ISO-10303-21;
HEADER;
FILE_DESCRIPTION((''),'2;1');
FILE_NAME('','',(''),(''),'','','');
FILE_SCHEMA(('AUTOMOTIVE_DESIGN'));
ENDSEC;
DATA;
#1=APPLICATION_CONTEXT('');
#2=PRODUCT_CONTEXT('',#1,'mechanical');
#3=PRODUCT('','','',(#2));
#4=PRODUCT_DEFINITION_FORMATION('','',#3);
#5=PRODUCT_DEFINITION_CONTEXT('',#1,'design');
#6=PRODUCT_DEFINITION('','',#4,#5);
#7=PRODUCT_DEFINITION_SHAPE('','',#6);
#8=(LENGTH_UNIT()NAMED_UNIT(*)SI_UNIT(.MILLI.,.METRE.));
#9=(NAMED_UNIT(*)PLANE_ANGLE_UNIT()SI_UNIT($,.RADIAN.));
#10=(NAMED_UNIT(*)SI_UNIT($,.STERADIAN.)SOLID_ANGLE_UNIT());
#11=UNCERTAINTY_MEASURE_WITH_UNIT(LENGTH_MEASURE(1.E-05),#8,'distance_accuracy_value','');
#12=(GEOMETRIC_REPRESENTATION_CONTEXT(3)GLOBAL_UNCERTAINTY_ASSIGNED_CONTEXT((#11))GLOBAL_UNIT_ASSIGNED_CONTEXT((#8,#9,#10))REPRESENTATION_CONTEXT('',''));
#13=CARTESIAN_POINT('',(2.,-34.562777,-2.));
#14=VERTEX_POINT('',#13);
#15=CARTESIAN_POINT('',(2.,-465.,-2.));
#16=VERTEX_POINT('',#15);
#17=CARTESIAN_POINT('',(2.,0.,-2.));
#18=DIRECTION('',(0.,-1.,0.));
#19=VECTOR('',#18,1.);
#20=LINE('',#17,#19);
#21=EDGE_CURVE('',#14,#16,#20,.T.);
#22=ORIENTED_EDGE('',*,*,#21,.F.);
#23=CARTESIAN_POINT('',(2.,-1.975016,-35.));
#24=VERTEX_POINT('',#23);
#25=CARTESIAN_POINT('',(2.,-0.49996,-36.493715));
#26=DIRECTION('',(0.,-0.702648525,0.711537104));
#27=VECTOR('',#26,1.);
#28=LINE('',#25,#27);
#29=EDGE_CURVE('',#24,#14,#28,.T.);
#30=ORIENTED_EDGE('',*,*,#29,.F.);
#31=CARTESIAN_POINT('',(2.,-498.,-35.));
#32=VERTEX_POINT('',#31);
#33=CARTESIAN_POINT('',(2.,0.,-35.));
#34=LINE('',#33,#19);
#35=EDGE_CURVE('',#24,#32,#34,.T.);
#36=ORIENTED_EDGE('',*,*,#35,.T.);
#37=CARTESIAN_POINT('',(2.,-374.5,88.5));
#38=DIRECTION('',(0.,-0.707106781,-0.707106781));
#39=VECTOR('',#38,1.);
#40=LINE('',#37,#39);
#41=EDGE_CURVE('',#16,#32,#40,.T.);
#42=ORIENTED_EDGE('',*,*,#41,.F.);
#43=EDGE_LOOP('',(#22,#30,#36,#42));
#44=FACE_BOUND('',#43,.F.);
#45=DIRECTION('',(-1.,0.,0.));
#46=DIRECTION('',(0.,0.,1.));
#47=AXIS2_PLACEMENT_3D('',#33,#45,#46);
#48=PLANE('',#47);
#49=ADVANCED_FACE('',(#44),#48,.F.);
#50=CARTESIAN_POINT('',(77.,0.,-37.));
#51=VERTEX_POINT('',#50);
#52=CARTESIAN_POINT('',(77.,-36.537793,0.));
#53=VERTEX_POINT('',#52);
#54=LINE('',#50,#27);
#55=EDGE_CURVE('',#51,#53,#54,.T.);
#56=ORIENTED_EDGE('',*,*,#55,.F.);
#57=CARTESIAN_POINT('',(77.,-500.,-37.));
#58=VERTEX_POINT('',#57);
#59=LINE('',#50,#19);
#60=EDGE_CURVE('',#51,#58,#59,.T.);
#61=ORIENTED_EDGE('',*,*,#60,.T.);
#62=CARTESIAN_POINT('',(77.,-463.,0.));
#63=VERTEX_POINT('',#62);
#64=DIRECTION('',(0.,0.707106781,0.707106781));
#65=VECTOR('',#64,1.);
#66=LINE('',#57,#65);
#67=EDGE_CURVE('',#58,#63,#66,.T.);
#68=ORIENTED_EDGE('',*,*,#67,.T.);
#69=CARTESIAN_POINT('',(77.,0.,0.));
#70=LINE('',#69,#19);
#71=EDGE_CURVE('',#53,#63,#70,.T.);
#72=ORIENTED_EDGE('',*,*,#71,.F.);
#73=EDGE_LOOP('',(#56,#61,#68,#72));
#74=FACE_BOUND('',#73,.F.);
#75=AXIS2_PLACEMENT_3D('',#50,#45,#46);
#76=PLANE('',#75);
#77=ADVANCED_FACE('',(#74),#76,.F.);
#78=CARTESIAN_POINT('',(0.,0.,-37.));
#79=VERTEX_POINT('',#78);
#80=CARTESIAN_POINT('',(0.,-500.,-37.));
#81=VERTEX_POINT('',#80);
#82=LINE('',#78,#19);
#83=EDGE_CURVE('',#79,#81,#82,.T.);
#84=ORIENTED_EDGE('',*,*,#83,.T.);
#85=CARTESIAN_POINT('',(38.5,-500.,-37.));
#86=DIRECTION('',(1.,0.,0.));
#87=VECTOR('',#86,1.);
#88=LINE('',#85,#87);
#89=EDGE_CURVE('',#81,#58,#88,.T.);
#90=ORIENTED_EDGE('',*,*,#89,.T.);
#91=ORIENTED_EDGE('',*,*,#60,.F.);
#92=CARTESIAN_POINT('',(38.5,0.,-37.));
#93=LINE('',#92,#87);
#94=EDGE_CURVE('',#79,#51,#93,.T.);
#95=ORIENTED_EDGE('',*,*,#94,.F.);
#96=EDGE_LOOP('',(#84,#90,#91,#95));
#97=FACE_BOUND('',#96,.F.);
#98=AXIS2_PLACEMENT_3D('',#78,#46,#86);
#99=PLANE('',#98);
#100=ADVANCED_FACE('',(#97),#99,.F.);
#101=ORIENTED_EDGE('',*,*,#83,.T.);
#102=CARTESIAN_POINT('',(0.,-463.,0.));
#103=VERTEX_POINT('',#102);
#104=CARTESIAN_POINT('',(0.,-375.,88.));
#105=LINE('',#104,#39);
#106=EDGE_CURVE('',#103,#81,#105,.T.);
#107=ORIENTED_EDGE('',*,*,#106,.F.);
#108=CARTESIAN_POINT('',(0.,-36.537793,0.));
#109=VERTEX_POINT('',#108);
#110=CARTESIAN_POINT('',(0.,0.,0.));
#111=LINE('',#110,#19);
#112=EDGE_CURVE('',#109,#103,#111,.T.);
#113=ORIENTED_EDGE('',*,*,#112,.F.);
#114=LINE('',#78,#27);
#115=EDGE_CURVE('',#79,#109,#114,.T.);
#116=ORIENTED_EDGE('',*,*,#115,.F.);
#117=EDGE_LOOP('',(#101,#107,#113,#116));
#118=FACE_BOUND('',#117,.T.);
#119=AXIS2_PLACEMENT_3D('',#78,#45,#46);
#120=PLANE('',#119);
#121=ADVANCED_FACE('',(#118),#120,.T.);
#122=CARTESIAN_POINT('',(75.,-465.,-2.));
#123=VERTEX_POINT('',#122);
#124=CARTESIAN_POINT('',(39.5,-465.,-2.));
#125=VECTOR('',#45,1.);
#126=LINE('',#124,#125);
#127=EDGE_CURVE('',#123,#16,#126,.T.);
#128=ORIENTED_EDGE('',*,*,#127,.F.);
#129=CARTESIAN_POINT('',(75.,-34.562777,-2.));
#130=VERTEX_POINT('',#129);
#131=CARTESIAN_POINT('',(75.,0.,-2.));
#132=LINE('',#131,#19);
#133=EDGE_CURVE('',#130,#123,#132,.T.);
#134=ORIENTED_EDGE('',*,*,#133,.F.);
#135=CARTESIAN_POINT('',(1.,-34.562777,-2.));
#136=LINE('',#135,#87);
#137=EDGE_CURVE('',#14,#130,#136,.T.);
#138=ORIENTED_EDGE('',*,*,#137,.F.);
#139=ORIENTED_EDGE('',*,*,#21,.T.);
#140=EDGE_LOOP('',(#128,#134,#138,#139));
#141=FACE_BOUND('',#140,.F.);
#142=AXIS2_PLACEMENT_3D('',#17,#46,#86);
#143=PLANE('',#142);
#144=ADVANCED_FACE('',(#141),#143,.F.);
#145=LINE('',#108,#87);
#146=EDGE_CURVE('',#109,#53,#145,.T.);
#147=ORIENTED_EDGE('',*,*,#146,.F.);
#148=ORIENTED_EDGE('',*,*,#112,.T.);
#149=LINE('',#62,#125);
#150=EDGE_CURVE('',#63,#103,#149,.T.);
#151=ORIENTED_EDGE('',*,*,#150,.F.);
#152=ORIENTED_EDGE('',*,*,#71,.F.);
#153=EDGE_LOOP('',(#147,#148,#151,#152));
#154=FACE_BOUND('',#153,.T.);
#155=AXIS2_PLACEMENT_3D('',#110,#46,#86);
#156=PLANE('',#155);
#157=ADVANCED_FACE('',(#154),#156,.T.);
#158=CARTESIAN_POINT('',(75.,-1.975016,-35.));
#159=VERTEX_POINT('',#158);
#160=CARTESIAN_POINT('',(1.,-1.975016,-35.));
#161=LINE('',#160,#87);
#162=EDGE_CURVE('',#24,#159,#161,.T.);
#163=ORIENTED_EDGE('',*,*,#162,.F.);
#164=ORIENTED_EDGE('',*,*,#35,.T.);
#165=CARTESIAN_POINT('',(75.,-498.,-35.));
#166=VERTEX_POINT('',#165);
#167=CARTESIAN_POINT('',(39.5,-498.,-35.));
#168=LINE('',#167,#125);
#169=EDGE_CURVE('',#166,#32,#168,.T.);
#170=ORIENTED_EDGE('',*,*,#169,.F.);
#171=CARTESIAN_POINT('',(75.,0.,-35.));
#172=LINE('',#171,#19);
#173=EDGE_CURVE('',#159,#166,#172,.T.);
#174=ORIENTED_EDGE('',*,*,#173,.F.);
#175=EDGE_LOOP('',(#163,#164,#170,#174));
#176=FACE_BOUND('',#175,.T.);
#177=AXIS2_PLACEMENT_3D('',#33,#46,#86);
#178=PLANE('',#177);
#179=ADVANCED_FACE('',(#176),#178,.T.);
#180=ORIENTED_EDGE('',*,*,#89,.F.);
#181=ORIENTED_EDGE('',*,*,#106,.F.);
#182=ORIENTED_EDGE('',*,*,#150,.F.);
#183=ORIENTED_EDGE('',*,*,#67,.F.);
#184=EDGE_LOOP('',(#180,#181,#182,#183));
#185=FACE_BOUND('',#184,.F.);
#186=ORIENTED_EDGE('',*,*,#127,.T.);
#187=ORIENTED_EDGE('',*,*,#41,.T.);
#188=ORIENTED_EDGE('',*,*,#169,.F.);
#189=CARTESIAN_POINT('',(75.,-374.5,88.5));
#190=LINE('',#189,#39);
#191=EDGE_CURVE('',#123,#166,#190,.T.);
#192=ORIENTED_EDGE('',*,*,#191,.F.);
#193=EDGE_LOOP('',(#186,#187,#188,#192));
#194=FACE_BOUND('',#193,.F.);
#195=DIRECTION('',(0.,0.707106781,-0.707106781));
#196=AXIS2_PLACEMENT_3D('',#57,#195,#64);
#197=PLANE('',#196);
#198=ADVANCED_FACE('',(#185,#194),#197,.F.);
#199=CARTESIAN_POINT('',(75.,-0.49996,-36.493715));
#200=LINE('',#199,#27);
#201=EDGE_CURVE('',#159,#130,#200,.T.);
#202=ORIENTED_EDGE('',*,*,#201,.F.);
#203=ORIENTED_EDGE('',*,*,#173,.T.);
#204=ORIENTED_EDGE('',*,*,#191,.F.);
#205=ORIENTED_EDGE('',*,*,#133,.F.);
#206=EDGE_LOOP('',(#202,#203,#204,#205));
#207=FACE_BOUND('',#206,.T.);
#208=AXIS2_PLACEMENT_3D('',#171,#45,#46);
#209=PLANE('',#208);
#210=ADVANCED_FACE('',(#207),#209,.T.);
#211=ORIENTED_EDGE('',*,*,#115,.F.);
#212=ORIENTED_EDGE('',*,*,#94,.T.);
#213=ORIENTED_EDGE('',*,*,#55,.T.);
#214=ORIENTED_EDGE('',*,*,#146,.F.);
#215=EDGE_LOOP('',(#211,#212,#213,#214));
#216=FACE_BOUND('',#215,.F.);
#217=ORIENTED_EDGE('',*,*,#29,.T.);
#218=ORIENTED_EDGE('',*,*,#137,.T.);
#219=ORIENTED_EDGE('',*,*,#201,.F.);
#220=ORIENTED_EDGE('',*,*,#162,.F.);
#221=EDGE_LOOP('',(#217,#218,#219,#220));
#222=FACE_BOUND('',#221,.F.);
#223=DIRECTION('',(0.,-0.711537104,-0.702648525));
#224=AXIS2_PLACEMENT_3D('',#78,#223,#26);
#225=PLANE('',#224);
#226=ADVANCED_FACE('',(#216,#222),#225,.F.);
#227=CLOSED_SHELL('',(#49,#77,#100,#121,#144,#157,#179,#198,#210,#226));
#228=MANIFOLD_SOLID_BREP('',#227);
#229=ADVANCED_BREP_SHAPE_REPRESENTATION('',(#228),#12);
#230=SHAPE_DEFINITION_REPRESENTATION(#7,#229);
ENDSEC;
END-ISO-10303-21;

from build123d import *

# Parameters (mm, degrees)
F0_W     = 77
F0_H     = 37
F0_W_2   = 73
F0_H_2   = 33
F1_DEPTH = 500
F3_DEPTH = 128.275266
F5_DEPTH = 87.845365


with BuildPart() as f1:
    # F0 (on Front) → F1 (new body)
    with BuildSketch(Plane.XZ):
        with Locations((38.5, -18.5)):
            Rectangle(F0_W, F0_H)
        with Locations((38.5, -18.5)):
            Rectangle(F0_W_2, F0_H_2, mode=Mode.SUBTRACT)
    extrude(amount=F1_DEPTH)

    # F2 (on face) → F3 (cut)
    with BuildSketch(Plane(origin=(0, 0, 0), x_dir=(0, -1, 0), z_dir=(-1, 0, 0))):
        Polygon((36.537793, 0), (0, 0), (0, -37), align=None)
    extrude(amount=-F3_DEPTH, mode=Mode.SUBTRACT)

    # F4 (on face) → F5 (cut)
    with BuildSketch(Plane.YZ.offset(77)):
        Polygon((-463, 0), (-500, 0), (-500, -37), align=None)
    extrude(amount=-F5_DEPTH, mode=Mode.SUBTRACT)


solid = f1.part
